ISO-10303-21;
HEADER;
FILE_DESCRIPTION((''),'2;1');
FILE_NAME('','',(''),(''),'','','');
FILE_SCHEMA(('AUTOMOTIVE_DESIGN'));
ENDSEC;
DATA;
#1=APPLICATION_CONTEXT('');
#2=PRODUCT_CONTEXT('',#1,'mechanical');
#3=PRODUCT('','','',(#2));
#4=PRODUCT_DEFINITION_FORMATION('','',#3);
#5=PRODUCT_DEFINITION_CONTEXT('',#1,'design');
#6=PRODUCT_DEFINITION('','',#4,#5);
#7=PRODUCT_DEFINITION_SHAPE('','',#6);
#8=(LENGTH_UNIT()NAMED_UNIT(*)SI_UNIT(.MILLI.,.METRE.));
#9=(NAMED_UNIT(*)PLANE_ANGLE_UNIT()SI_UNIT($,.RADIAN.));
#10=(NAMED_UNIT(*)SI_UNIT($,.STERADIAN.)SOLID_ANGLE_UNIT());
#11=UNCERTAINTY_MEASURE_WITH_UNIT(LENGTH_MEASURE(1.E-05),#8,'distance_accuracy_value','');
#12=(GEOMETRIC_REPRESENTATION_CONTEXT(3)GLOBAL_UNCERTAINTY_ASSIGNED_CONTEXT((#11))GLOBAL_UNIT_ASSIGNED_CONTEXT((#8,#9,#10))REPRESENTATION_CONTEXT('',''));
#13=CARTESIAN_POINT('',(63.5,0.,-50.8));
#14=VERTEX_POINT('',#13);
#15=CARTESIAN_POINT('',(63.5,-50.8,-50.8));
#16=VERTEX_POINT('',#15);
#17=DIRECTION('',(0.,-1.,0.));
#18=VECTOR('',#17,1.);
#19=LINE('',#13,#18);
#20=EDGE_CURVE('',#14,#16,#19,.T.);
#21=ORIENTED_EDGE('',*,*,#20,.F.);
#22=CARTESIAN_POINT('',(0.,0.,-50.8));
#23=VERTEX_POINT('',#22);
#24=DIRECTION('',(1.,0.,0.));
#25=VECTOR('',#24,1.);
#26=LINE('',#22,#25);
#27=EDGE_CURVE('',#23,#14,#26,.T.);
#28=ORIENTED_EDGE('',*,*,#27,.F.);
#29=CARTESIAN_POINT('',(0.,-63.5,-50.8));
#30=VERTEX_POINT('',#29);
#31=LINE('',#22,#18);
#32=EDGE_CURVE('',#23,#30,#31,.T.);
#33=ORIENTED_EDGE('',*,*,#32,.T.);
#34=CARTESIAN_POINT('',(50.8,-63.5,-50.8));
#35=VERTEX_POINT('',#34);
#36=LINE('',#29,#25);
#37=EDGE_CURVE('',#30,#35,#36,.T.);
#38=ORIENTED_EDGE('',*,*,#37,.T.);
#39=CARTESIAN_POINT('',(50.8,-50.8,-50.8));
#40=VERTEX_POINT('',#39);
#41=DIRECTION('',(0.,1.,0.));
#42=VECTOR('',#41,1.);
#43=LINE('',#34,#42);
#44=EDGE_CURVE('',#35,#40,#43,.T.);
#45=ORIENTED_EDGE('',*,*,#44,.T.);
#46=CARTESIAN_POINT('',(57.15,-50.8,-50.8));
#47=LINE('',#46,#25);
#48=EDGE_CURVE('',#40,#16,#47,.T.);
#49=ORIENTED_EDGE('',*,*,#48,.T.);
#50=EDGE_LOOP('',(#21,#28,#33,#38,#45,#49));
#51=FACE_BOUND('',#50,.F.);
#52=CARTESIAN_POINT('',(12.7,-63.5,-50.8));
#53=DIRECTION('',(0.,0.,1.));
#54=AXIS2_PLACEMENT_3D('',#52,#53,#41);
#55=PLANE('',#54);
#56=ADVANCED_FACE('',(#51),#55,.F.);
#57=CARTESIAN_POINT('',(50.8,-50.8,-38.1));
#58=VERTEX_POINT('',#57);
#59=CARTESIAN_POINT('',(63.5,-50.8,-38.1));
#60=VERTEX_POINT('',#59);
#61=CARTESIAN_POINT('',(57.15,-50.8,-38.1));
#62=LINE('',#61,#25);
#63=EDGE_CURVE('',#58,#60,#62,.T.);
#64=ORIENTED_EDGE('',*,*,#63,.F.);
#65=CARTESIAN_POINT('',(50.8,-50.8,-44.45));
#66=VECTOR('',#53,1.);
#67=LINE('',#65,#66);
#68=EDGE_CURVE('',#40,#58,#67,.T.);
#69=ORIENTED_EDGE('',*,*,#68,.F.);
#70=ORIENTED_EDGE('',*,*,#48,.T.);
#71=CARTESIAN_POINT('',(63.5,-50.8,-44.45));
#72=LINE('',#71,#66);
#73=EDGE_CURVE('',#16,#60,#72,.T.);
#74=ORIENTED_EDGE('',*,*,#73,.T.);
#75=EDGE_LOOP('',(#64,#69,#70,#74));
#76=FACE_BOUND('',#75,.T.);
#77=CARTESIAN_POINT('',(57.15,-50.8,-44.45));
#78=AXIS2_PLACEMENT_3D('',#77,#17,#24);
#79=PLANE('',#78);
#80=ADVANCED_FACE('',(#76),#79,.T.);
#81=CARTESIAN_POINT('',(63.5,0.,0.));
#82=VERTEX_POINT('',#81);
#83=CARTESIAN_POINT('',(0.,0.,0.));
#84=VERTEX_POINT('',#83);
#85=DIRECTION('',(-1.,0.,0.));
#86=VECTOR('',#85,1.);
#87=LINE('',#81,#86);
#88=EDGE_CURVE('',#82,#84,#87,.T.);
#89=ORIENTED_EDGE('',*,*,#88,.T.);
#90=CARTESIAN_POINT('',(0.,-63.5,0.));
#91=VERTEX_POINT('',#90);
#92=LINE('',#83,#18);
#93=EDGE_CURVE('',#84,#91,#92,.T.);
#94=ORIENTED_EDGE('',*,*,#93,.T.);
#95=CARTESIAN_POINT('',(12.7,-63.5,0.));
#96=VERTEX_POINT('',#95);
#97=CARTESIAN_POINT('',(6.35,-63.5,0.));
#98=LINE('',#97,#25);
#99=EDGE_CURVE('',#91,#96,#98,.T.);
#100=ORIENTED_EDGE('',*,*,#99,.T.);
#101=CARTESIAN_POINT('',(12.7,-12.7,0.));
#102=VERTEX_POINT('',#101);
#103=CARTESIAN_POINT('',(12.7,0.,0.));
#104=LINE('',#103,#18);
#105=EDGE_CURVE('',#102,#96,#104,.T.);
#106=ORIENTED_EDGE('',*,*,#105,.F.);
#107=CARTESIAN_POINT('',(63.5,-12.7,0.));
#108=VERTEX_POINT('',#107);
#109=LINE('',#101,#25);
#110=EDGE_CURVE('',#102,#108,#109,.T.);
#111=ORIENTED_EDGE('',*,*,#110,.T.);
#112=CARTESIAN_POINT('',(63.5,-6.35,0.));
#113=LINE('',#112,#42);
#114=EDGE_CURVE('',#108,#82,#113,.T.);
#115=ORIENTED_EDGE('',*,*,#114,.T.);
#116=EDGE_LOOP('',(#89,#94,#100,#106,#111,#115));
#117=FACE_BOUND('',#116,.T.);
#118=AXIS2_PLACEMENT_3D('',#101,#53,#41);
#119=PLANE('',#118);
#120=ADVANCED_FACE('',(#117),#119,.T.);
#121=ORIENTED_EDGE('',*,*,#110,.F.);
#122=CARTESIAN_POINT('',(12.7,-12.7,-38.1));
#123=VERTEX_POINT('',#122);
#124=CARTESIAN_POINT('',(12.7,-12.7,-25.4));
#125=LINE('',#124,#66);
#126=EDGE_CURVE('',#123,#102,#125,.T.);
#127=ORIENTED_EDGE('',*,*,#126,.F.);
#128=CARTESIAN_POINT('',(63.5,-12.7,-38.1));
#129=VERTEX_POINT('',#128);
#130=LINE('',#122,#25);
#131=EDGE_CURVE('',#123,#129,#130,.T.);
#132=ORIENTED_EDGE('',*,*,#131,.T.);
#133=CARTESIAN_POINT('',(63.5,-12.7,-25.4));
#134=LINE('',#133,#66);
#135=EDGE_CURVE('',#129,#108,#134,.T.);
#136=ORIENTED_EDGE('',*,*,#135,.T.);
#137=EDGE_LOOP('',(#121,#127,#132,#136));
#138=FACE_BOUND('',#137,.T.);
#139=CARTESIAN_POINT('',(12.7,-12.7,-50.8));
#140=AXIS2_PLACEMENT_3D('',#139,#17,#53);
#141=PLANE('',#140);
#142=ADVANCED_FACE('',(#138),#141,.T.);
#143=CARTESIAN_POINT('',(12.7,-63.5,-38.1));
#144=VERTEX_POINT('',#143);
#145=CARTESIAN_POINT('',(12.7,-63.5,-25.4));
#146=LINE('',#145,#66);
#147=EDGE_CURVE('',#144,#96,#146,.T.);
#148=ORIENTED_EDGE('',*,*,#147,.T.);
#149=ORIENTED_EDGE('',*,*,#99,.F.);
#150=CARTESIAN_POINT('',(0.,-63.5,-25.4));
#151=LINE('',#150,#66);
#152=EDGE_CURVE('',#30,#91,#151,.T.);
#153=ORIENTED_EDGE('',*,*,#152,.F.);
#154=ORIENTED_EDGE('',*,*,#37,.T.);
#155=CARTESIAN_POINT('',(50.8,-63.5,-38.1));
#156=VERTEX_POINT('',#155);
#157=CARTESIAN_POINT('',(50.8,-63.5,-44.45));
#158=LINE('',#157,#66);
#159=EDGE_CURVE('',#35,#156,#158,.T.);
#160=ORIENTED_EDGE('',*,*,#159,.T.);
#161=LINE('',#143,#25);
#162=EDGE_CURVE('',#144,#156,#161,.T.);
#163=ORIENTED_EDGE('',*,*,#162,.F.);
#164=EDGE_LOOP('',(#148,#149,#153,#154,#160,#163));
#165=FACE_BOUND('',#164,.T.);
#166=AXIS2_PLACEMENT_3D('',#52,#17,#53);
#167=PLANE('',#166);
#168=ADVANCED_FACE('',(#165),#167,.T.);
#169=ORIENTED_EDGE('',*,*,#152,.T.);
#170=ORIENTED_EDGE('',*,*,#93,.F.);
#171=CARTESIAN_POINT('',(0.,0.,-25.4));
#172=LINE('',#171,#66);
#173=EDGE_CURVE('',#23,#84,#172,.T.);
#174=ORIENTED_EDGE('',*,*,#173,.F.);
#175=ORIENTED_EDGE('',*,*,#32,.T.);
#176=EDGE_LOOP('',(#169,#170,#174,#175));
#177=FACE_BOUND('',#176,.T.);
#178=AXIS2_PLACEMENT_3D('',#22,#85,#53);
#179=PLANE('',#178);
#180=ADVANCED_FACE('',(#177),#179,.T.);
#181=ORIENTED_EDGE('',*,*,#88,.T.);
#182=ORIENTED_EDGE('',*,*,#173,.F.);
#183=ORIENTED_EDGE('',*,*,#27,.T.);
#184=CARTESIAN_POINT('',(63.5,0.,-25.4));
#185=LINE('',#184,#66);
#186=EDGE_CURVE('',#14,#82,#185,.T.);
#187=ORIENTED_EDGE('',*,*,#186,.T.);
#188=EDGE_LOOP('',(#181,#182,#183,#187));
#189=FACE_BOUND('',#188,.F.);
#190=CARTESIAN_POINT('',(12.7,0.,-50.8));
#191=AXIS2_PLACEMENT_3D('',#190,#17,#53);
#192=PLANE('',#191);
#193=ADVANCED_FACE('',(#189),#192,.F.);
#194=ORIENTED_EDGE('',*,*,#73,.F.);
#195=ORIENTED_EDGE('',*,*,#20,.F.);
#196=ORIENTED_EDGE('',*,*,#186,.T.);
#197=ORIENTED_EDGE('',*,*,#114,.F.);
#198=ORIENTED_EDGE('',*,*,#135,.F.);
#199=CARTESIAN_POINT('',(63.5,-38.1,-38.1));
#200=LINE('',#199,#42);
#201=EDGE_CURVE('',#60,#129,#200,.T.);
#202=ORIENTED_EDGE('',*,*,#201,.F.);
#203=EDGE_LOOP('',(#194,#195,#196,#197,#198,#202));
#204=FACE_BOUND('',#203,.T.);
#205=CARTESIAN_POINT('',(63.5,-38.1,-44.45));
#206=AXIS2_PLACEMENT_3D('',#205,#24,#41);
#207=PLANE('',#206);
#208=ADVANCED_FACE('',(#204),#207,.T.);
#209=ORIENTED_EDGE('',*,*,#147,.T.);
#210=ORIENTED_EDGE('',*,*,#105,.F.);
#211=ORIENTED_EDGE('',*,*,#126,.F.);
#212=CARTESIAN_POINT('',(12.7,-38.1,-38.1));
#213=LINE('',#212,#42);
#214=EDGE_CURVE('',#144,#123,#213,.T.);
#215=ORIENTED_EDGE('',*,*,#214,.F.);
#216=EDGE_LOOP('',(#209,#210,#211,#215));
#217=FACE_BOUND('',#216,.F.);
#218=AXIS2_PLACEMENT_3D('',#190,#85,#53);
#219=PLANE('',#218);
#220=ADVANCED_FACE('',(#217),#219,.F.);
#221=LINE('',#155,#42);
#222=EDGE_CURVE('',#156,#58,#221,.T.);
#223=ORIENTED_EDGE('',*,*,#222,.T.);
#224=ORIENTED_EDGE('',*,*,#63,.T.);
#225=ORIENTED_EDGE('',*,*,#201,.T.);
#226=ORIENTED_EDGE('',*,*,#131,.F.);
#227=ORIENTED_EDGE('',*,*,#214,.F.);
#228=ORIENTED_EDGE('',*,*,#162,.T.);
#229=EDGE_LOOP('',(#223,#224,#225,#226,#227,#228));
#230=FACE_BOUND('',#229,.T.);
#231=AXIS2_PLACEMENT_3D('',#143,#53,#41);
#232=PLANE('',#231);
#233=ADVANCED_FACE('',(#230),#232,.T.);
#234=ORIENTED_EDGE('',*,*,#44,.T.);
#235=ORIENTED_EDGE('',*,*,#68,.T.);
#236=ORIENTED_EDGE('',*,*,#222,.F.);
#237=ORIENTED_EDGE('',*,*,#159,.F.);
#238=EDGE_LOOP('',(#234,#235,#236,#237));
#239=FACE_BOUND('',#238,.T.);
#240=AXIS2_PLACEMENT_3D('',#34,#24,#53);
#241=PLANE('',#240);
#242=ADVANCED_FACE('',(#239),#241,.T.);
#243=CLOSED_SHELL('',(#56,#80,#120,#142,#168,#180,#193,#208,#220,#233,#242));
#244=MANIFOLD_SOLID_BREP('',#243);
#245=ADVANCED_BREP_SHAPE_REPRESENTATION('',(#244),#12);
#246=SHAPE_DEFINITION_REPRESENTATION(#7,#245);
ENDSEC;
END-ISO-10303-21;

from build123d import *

# Parameters (mm, degrees)
F0_W     = 12.7
F0_H     = 50.8
F1_DEPTH = 63.5
F2_W     = 12.7
F2_H     = 50.8
F3_DEPTH = 50.8
F4_W     = 50.8
F4_H     = 12.7
F5_DEPTH = 50.8
F6_W     = 12.7
F6_H     = 12.7
F7_DEPTH = 12.7


with BuildPart() as f1:
    # F0 (on Front) → F1 (new body)
    with BuildSketch(Plane.XZ):
        with Locations((6.35, -25.4)):
            Rectangle(F0_W, F0_H)
    extrude(amount=F1_DEPTH)

    # F2 (on face) → F3 (join)
    with BuildSketch(Plane.YZ.offset(12.7)):
        with Locations((-6.35, -25.4)):
            Rectangle(F2_W, F2_H)
    extrude(amount=F3_DEPTH)

    # F4 (on face) → F5 (join)
    with BuildSketch(Plane.YZ.offset(12.7)):
        with Locations((-38.1, -44.45)):
            Rectangle(F4_W, F4_H)
    extrude(amount=F5_DEPTH)

    # F6 (on face) → F7 (cut)
    with BuildSketch(Plane.XZ.offset(63.5)):
        with Locations((57.15, -44.45)):
            Rectangle(F6_W, F6_H)
    extrude(amount=-F7_DEPTH, mode=Mode.SUBTRACT)


solid = f1.part
